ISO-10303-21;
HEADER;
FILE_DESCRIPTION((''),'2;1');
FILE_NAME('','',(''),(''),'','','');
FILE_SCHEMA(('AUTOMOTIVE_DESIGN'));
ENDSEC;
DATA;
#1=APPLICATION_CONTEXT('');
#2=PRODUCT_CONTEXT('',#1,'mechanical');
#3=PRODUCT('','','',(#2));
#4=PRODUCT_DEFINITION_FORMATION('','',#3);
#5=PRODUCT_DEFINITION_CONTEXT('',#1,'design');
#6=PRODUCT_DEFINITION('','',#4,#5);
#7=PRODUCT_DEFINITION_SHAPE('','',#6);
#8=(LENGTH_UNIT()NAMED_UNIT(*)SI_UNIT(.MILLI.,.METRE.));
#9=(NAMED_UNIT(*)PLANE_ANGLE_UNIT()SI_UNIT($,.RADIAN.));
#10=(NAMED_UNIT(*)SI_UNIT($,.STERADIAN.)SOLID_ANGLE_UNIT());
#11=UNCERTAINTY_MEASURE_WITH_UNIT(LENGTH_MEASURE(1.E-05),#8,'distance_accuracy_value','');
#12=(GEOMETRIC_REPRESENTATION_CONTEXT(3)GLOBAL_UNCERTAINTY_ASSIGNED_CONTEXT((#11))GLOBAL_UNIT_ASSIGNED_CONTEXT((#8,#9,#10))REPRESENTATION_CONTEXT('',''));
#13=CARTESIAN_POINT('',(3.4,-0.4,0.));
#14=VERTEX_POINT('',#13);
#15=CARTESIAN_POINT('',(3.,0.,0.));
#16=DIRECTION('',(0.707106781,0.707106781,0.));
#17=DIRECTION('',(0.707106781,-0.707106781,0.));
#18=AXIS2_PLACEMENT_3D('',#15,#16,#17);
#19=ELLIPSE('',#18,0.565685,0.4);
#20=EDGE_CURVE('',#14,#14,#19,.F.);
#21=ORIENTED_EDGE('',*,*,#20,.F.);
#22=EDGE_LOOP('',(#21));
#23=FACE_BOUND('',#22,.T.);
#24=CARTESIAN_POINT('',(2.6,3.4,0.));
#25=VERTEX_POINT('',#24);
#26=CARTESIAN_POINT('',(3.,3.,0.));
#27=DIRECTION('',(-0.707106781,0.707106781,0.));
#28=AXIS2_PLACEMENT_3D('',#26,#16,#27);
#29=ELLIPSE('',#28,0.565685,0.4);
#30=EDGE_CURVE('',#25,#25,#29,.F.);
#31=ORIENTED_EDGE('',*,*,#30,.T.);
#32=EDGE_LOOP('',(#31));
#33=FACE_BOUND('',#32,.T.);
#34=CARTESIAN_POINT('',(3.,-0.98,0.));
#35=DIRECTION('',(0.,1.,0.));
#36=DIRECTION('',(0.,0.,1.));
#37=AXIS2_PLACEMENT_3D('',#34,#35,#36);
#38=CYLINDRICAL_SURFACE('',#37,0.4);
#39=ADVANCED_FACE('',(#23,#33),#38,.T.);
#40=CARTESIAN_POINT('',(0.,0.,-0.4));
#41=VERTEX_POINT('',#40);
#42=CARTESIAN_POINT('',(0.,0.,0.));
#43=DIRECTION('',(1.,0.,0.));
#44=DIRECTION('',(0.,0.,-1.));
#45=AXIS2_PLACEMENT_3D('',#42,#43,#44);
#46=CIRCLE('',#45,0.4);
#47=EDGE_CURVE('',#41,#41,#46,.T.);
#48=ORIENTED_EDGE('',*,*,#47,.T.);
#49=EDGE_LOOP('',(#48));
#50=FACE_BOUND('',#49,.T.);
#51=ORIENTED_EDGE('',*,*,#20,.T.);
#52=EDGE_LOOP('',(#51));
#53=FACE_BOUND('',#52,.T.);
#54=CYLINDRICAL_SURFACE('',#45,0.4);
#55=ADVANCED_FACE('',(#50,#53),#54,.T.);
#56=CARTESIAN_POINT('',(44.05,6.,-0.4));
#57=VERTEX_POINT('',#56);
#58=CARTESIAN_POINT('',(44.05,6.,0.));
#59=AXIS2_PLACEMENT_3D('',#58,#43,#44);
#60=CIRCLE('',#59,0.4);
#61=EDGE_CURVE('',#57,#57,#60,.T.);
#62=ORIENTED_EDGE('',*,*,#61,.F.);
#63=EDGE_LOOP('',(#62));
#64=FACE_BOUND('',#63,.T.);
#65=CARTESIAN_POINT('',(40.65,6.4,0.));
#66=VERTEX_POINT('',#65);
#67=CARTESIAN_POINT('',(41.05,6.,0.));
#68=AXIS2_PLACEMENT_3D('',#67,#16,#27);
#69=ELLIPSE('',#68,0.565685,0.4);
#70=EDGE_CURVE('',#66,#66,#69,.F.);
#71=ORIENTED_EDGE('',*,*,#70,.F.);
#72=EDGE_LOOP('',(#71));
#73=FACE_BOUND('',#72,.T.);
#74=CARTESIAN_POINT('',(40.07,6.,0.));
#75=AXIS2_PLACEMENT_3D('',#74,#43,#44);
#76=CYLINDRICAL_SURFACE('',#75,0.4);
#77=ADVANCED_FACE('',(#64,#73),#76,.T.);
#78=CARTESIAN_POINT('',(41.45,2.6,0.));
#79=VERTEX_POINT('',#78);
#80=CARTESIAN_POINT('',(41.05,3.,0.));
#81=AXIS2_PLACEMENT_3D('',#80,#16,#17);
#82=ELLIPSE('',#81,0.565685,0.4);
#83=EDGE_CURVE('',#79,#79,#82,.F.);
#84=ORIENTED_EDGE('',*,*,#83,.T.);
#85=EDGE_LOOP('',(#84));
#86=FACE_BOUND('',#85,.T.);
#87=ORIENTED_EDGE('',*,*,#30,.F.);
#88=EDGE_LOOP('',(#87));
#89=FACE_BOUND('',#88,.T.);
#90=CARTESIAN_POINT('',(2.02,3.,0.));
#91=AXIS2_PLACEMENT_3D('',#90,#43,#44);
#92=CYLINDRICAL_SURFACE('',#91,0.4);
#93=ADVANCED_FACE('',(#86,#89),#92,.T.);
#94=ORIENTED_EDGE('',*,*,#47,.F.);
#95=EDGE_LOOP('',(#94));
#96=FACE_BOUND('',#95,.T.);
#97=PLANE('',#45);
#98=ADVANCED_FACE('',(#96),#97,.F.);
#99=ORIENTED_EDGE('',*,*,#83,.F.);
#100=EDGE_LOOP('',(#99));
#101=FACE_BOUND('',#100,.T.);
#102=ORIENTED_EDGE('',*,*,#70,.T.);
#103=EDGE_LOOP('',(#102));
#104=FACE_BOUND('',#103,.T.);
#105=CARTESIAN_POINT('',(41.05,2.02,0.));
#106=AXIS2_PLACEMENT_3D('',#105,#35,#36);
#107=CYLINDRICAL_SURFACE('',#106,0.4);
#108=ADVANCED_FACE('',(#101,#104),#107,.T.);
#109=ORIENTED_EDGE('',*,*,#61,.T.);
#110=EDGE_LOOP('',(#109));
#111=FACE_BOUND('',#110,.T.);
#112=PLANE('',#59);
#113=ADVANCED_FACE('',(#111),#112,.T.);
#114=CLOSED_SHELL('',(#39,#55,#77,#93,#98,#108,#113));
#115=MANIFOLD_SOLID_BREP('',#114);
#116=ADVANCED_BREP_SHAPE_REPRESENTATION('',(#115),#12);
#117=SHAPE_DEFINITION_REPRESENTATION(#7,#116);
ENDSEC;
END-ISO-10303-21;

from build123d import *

# Parameters (mm, degrees)
SKETCH3_R = 0.4


with BuildPart() as part:
    # Sweep1: sweep along a path in Sketch2
    with BuildLine(Plane.XY) as sweep1_path:
        Line((0, 0), (3, 0))
        Line((3, 0), (3, 3))
        Line((3, 3), (41.05, 3))
        Line((41.05, 3), (41.05, 6))
        Line((41.05, 6), (44.05, 6))
    # Sketch3 → Sweep1 (sweep)
    with BuildSketch(Plane(origin=(0, 0, 0), x_dir=(0, 0, -1), z_dir=(1, 0, 0))):
        Circle(SKETCH3_R)
    sweep(path=sweep1_path.line, transition=Transition.RIGHT)


solid = part.part
